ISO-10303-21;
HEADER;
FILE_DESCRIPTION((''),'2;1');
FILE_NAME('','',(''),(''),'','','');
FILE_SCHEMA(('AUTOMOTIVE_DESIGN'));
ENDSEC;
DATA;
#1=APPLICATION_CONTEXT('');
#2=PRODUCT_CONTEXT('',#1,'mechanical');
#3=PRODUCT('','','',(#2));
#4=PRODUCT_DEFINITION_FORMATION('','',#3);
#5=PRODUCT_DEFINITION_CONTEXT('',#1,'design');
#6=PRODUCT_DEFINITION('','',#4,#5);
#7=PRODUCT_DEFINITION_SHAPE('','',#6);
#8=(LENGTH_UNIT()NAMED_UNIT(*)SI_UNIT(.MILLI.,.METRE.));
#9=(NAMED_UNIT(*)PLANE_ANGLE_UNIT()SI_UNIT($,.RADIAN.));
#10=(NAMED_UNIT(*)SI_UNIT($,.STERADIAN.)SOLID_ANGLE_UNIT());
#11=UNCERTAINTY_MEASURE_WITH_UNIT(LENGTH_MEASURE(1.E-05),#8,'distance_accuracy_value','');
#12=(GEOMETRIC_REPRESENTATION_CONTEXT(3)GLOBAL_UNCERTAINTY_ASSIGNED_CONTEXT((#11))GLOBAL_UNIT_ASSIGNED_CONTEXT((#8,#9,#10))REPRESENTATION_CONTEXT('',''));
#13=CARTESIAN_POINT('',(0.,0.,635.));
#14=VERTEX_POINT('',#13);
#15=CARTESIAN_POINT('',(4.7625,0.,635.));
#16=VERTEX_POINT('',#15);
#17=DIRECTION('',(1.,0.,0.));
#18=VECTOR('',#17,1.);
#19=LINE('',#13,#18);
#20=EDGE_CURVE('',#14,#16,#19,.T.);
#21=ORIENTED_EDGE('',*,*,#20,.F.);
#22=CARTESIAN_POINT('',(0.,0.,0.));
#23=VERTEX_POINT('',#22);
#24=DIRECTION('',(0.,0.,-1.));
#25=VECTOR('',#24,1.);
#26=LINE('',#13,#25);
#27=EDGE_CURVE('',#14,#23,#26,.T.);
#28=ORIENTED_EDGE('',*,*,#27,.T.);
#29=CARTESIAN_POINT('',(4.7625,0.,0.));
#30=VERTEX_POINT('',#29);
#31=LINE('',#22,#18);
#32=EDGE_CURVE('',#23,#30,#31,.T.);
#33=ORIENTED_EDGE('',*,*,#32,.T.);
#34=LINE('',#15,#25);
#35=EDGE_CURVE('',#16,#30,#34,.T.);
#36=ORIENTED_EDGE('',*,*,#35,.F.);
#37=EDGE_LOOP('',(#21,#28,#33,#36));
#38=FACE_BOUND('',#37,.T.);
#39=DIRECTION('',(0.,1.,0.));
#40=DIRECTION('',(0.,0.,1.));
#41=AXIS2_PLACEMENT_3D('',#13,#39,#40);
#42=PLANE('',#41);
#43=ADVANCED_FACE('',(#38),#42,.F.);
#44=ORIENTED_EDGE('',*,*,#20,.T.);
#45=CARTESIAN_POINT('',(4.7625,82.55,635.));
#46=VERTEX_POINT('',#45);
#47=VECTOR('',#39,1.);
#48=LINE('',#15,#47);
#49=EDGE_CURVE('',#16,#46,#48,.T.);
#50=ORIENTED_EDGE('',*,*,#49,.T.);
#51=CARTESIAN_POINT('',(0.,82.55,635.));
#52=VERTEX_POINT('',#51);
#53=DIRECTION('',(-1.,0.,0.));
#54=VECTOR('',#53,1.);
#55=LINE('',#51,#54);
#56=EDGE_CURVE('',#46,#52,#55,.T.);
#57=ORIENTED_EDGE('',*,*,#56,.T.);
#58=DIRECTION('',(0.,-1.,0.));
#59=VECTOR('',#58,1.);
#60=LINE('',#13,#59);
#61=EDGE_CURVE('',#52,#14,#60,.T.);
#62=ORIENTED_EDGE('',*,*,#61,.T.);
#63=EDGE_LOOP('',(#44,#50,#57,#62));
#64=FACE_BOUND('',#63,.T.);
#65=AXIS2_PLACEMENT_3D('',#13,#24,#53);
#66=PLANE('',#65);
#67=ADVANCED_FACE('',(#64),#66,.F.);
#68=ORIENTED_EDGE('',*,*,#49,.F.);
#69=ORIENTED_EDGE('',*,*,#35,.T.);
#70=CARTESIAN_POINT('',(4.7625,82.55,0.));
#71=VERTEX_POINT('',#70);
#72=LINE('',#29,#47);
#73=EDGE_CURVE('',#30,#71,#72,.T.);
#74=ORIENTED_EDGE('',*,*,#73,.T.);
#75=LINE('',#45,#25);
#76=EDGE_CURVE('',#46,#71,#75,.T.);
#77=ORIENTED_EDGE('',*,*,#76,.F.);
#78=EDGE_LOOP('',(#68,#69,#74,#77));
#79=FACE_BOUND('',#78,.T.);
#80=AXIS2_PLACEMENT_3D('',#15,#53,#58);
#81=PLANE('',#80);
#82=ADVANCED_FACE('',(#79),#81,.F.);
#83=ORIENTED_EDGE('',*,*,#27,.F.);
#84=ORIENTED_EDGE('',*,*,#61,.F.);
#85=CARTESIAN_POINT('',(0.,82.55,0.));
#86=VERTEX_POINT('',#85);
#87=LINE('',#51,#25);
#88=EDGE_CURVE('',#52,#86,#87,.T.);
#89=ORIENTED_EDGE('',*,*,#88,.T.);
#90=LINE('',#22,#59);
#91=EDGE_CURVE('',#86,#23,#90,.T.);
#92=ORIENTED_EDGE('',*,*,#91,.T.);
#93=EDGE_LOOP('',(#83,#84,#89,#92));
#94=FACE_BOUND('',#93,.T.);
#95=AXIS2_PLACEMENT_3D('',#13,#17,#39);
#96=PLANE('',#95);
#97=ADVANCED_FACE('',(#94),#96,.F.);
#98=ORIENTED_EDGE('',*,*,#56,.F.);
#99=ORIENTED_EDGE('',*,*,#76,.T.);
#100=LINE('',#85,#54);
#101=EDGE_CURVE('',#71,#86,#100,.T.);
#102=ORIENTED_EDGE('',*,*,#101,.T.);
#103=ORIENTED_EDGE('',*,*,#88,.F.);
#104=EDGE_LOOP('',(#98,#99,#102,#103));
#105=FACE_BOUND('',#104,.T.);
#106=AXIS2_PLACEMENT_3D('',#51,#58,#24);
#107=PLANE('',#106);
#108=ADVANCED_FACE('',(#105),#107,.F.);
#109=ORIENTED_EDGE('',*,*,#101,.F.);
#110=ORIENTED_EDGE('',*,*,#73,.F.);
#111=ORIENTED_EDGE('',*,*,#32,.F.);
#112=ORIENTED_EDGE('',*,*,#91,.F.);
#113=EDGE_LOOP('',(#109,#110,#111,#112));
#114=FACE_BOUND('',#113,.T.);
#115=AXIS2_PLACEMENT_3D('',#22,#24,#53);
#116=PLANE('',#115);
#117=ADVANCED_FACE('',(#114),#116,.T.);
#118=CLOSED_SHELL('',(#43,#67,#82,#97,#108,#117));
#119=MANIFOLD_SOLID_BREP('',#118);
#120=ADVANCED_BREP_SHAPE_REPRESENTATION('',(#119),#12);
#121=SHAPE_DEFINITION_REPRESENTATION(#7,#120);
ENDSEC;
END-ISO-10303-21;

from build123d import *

# Parameters (mm, degrees)
SKETCH1_W           = 4.7625
SKETCH1_H           = 82.55
BOSS_EXTRUDE1_DEPTH = 635


with BuildPart() as part:
    # Sketch1 → Boss-Extrude1 (new body)
    with BuildSketch(Plane.XY):
        with Locations((2.38125, 41.275)):
            Rectangle(SKETCH1_W, SKETCH1_H)
    extrude(amount=BOSS_EXTRUDE1_DEPTH)


solid = part.part
